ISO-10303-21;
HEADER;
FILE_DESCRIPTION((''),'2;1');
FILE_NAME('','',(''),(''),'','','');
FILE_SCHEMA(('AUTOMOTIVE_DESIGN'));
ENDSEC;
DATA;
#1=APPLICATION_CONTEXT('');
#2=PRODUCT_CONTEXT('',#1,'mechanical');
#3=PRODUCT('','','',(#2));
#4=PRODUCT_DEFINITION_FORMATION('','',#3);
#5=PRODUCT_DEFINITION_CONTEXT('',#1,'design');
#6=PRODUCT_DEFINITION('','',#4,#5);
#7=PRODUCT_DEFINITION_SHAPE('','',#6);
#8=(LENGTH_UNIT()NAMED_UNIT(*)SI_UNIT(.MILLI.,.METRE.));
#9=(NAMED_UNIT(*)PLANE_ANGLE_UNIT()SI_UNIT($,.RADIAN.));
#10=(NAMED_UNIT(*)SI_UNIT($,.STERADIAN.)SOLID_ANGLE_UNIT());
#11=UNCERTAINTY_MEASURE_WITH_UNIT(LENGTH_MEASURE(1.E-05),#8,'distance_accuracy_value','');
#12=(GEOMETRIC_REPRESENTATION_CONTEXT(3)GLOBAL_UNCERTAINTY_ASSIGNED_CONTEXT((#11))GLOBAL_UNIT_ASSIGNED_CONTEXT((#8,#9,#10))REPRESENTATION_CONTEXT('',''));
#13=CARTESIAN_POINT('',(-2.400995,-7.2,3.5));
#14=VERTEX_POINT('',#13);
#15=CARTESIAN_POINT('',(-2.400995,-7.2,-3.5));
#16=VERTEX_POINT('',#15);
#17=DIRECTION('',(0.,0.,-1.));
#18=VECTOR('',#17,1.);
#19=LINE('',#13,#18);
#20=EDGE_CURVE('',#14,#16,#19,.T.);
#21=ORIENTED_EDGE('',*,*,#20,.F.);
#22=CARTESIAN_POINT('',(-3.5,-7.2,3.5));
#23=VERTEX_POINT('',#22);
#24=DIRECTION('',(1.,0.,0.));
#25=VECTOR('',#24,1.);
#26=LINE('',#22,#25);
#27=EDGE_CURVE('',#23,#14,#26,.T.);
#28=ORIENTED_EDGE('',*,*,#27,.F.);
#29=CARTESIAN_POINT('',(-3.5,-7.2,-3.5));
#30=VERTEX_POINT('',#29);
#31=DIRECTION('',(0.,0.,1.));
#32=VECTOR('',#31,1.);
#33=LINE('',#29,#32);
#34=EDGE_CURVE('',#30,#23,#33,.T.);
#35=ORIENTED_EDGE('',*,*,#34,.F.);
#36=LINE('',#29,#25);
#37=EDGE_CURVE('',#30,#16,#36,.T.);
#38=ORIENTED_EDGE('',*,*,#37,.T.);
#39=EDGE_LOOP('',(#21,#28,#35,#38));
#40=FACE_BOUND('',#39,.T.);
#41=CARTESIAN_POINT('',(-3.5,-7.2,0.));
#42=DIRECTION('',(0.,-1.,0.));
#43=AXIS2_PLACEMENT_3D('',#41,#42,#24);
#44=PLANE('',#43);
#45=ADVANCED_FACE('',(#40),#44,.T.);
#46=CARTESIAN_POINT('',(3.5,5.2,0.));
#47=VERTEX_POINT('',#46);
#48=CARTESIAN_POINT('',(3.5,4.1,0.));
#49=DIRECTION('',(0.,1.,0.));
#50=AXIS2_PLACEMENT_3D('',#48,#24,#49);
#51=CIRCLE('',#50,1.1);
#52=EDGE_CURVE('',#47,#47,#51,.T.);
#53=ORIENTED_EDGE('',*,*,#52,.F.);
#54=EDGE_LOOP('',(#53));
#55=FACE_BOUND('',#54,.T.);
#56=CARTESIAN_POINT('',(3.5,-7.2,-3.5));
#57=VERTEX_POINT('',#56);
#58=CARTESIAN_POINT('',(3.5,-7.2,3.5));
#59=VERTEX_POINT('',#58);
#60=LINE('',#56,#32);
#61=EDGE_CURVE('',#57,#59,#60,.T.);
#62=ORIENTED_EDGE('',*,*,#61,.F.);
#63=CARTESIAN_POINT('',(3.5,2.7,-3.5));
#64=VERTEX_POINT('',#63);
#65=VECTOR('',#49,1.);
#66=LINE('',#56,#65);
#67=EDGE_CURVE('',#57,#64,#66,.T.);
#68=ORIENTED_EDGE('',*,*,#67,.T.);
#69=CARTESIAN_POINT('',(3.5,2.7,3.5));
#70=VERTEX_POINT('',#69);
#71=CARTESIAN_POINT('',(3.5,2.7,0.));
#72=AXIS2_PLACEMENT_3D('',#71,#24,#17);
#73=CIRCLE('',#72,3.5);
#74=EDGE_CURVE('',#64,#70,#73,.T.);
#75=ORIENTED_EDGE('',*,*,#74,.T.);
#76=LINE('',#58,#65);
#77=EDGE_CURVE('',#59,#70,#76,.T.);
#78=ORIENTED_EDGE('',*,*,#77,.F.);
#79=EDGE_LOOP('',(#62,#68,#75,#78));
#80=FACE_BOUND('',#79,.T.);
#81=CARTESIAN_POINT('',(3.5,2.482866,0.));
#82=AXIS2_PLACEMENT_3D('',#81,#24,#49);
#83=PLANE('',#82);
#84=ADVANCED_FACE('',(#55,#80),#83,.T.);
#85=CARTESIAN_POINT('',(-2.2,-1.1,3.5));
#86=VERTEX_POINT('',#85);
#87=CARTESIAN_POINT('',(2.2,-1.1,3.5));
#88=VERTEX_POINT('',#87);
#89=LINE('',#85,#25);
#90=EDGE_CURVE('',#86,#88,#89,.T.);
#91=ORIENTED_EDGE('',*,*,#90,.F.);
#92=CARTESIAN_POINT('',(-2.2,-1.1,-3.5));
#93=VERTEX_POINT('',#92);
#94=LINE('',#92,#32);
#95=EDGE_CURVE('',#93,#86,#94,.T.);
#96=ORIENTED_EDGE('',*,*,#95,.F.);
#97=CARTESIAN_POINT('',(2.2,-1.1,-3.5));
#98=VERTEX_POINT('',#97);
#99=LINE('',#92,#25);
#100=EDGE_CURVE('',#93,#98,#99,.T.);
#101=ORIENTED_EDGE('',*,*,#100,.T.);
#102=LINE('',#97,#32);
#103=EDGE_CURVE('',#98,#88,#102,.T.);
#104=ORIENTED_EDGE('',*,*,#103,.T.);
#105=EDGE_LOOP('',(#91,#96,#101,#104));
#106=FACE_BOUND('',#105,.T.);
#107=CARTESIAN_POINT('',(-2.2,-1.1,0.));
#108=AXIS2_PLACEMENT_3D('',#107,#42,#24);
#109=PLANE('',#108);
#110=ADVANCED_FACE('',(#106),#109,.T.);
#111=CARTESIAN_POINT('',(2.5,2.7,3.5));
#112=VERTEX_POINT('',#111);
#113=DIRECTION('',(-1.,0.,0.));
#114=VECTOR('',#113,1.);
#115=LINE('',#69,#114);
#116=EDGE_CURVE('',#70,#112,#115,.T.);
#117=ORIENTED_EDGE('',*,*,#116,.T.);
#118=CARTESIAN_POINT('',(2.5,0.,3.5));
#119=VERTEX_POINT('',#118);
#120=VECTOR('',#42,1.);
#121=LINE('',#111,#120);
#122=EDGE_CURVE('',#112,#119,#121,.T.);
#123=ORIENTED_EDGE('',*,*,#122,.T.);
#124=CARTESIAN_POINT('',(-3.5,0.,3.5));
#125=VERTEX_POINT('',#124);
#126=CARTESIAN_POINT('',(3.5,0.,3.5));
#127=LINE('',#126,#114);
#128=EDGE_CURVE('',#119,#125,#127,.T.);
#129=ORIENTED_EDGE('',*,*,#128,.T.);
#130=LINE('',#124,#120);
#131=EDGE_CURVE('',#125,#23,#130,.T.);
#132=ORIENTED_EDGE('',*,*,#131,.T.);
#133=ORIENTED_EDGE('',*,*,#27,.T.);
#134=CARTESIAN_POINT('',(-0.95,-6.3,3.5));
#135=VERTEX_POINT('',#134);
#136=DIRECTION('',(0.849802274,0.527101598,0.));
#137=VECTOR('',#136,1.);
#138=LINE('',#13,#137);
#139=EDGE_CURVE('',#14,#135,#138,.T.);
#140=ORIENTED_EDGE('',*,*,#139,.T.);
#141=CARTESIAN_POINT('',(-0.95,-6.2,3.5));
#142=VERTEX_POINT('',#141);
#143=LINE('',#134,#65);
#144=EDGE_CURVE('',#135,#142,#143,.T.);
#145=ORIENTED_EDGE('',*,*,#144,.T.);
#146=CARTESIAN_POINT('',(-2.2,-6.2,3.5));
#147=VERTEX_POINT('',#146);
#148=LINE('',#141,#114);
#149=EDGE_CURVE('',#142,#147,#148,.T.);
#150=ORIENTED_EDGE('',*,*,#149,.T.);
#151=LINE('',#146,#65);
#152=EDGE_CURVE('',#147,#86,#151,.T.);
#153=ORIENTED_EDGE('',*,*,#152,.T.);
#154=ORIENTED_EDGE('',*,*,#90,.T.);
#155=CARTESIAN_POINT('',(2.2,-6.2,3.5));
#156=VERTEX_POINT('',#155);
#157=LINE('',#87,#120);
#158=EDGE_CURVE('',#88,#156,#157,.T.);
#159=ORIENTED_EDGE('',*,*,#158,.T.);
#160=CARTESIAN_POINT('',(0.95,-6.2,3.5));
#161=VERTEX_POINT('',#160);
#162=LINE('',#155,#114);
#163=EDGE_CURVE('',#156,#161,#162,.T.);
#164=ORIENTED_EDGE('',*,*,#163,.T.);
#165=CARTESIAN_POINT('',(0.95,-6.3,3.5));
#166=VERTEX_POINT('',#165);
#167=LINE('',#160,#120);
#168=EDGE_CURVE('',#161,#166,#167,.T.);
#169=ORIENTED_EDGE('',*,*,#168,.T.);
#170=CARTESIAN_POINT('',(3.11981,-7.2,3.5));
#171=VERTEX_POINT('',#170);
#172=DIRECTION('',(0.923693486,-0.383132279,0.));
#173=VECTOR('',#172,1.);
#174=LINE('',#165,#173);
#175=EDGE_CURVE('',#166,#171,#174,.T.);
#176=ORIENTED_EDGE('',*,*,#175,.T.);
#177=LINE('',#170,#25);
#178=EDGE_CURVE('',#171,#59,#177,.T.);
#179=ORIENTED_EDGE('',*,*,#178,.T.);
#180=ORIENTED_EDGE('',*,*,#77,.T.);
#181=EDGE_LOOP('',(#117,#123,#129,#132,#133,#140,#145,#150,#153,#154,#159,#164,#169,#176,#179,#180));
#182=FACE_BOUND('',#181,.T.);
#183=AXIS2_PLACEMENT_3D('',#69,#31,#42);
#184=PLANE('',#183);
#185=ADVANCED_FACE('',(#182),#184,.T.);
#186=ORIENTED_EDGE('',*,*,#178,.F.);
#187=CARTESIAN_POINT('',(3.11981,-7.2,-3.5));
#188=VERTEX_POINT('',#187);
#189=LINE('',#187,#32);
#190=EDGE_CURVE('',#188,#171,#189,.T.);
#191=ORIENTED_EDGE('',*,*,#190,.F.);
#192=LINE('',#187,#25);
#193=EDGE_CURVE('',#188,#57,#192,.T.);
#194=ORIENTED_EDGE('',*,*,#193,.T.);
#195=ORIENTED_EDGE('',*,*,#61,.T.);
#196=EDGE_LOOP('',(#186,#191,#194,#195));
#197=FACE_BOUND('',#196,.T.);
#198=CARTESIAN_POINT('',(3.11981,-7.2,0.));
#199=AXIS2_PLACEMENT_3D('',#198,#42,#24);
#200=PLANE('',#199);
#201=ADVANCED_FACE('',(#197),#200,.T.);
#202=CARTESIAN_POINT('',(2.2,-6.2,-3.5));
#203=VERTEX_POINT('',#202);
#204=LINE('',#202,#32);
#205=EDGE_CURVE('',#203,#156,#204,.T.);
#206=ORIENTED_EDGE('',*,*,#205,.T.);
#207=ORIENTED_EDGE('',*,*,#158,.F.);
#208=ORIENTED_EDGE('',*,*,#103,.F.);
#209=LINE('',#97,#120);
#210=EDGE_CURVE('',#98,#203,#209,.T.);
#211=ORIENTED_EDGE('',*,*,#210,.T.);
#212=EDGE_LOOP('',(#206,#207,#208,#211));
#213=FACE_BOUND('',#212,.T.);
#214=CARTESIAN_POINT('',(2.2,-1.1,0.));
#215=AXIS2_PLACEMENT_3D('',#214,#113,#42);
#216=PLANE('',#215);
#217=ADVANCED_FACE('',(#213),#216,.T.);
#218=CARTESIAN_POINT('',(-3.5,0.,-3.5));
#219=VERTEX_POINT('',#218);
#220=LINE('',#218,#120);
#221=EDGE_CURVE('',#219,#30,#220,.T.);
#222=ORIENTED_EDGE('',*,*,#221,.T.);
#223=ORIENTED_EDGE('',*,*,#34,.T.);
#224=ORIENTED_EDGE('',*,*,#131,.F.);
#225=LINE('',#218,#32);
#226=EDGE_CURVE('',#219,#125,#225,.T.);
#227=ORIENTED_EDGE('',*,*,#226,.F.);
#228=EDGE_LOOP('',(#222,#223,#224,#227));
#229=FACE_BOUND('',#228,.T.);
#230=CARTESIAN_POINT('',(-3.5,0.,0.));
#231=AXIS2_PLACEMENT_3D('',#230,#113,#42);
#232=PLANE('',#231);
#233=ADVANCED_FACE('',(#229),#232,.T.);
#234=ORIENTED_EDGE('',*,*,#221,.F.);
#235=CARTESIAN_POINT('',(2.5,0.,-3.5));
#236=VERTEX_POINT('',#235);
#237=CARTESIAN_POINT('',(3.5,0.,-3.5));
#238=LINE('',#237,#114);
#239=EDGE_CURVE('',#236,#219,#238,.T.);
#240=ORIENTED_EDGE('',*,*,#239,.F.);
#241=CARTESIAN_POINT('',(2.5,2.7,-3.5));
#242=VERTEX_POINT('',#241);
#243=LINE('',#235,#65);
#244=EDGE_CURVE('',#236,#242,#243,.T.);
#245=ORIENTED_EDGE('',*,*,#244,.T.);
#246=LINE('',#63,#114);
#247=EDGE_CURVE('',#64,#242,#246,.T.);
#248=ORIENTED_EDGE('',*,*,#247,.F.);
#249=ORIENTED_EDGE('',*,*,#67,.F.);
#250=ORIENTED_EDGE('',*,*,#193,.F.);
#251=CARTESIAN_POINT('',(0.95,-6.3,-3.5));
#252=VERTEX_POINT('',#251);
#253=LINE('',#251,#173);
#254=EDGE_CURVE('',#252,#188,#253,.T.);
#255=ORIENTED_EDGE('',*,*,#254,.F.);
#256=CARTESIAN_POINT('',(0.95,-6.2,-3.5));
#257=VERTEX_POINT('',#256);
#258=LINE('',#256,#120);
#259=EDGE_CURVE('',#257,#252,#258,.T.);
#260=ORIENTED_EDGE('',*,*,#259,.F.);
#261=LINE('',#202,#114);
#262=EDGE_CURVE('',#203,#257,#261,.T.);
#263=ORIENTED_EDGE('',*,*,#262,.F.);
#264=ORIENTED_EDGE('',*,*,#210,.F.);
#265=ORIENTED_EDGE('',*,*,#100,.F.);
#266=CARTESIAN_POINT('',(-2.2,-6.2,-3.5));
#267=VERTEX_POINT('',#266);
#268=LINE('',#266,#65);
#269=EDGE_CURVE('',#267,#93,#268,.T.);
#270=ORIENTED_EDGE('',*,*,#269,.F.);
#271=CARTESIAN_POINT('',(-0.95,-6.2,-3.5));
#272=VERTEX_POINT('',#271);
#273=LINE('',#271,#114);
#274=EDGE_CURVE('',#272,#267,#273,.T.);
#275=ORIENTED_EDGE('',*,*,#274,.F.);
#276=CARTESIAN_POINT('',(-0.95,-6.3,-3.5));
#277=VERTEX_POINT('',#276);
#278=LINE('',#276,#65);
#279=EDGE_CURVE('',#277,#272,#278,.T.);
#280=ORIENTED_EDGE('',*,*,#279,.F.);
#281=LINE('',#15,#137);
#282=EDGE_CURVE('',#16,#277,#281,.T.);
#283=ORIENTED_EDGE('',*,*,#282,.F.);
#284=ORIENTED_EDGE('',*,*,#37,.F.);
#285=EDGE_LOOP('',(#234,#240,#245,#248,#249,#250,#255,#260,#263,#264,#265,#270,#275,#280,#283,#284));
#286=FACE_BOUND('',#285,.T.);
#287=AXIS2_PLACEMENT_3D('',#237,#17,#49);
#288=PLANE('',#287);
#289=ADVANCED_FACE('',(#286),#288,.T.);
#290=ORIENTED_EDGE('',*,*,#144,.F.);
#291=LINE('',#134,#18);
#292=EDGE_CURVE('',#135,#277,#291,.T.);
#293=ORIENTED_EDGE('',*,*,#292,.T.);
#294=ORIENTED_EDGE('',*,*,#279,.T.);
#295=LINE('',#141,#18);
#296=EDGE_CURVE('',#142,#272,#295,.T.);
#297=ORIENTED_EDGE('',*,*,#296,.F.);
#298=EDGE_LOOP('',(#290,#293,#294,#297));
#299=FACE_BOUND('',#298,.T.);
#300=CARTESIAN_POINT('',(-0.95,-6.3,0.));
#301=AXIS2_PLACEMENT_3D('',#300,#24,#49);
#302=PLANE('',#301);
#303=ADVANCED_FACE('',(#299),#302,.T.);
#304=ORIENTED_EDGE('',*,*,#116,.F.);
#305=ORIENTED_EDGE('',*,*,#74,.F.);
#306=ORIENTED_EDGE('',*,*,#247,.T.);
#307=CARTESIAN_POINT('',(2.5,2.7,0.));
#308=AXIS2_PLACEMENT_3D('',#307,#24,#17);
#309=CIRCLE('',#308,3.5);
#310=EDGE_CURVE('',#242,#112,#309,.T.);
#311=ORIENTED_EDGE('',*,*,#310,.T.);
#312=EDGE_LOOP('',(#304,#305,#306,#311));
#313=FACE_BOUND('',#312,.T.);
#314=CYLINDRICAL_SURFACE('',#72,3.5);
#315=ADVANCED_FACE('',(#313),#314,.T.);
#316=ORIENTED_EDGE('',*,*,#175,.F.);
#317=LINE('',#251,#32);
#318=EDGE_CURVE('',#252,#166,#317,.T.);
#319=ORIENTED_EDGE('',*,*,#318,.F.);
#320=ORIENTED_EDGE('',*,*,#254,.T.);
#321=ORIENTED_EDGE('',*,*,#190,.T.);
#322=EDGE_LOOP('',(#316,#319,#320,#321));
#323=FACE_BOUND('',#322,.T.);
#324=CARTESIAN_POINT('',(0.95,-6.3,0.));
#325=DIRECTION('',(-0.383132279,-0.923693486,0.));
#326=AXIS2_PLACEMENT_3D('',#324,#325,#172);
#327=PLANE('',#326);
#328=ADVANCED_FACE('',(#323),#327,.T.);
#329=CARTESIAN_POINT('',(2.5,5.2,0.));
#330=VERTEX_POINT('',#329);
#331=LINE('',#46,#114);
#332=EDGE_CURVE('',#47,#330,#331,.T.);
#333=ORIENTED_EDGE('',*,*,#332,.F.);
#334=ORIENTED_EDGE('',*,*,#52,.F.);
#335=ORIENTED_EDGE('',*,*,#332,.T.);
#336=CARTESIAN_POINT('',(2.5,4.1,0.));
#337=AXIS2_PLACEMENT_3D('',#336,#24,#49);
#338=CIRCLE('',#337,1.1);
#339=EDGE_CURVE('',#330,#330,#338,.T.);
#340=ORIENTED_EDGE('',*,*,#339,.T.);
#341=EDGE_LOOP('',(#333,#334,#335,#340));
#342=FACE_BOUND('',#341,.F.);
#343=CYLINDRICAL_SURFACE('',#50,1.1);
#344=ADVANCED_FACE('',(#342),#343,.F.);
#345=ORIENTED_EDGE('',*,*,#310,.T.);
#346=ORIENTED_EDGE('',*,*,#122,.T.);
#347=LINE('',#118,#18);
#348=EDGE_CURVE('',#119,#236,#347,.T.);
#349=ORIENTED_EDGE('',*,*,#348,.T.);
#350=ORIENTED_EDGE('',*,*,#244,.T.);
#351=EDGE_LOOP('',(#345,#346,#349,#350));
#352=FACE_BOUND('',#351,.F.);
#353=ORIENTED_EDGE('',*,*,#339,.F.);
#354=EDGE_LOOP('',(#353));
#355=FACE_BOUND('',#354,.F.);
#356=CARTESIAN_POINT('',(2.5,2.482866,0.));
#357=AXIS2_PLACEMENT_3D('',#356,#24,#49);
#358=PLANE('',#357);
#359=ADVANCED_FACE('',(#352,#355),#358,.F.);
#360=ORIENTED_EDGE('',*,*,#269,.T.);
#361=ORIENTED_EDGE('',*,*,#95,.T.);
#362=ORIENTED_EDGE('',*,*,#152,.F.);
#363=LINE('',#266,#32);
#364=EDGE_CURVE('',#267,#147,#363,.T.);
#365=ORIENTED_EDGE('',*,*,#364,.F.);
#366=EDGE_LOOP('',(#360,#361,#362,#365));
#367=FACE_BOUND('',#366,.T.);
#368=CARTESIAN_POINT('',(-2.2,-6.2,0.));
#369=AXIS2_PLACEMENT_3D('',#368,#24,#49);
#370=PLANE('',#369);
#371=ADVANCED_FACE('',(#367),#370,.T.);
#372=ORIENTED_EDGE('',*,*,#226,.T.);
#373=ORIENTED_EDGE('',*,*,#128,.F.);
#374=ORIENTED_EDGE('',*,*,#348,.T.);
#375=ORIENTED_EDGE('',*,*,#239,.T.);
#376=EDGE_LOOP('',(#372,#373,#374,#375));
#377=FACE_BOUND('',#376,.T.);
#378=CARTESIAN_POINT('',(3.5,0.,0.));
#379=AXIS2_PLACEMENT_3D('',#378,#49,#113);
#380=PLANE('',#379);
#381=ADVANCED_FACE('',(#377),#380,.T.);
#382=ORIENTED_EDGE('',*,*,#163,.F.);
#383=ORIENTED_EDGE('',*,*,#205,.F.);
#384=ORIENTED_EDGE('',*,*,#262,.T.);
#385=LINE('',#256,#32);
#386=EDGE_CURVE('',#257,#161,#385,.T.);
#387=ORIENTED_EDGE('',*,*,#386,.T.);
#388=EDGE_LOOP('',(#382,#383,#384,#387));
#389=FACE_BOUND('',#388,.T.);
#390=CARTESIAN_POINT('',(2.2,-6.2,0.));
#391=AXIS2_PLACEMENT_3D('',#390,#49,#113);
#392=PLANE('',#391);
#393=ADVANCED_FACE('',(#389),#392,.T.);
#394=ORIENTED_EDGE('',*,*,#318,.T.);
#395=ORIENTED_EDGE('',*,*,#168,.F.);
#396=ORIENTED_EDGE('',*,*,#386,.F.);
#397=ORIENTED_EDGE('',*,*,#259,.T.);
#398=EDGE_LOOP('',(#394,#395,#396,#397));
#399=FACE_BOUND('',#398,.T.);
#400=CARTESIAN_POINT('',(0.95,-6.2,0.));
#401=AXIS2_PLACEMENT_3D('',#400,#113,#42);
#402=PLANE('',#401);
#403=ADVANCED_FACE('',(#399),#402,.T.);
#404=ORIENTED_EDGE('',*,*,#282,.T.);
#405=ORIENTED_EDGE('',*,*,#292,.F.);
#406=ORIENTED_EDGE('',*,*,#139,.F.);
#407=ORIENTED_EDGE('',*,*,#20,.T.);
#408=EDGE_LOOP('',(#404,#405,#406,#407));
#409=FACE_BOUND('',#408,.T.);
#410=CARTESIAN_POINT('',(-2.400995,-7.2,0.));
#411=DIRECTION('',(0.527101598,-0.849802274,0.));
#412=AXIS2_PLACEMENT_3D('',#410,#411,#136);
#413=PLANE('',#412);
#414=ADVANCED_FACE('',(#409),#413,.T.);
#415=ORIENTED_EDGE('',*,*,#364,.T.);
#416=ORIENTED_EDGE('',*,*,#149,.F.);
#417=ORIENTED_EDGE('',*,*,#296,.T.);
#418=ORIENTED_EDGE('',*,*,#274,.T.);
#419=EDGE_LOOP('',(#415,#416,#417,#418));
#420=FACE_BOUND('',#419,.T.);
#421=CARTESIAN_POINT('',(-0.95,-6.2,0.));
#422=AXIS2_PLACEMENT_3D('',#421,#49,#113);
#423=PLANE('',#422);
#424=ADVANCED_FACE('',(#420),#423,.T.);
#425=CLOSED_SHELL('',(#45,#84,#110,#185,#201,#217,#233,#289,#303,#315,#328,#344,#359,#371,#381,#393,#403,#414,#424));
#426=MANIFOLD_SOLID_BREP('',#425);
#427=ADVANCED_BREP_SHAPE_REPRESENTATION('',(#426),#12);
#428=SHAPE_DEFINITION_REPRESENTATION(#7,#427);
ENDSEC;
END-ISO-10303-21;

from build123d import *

# Parameters (mm, degrees)
F1_DEPTH = 3.5
F2_R     = 1.1
F3_DEPTH = 1


with BuildPart() as f1:
    # F0 (on Top) → F1 (new body, symmetric)
    with BuildSketch(Plane.XY):
        Polygon((-0.95, -6.2), (-2.2, -6.2), (-2.2, -1.1), (2.2, -1.1), (2.2, -6.2), (0.95, -6.2), (0.95, -6.3), (3.1198097037, -7.2), (3.5, -7.2), (3.5, 0), (-3.5, 0), (-3.5, -7.2), (-2.4009954992, -7.2), (-0.95, -6.3), align=None)
    extrude(amount=F1_DEPTH, both=True)

    # F2 (on face) → F3 (join)
    with BuildSketch(Plane.YZ.offset(3.5)):
        with BuildLine():
            Line((2.7, 3.5), (0, 3.5))
            Line((0, 3.5), (0, -3.5))
            Line((0, -3.5), (2.7, -3.5))
            ThreePointArc((2.7, -3.5), (6.2, 0), (2.7, 3.5))
        make_face()
        with Locations((4.1, 0)):
            Circle(F2_R, mode=Mode.SUBTRACT)
    extrude(amount=-F3_DEPTH)


solid = f1.part
